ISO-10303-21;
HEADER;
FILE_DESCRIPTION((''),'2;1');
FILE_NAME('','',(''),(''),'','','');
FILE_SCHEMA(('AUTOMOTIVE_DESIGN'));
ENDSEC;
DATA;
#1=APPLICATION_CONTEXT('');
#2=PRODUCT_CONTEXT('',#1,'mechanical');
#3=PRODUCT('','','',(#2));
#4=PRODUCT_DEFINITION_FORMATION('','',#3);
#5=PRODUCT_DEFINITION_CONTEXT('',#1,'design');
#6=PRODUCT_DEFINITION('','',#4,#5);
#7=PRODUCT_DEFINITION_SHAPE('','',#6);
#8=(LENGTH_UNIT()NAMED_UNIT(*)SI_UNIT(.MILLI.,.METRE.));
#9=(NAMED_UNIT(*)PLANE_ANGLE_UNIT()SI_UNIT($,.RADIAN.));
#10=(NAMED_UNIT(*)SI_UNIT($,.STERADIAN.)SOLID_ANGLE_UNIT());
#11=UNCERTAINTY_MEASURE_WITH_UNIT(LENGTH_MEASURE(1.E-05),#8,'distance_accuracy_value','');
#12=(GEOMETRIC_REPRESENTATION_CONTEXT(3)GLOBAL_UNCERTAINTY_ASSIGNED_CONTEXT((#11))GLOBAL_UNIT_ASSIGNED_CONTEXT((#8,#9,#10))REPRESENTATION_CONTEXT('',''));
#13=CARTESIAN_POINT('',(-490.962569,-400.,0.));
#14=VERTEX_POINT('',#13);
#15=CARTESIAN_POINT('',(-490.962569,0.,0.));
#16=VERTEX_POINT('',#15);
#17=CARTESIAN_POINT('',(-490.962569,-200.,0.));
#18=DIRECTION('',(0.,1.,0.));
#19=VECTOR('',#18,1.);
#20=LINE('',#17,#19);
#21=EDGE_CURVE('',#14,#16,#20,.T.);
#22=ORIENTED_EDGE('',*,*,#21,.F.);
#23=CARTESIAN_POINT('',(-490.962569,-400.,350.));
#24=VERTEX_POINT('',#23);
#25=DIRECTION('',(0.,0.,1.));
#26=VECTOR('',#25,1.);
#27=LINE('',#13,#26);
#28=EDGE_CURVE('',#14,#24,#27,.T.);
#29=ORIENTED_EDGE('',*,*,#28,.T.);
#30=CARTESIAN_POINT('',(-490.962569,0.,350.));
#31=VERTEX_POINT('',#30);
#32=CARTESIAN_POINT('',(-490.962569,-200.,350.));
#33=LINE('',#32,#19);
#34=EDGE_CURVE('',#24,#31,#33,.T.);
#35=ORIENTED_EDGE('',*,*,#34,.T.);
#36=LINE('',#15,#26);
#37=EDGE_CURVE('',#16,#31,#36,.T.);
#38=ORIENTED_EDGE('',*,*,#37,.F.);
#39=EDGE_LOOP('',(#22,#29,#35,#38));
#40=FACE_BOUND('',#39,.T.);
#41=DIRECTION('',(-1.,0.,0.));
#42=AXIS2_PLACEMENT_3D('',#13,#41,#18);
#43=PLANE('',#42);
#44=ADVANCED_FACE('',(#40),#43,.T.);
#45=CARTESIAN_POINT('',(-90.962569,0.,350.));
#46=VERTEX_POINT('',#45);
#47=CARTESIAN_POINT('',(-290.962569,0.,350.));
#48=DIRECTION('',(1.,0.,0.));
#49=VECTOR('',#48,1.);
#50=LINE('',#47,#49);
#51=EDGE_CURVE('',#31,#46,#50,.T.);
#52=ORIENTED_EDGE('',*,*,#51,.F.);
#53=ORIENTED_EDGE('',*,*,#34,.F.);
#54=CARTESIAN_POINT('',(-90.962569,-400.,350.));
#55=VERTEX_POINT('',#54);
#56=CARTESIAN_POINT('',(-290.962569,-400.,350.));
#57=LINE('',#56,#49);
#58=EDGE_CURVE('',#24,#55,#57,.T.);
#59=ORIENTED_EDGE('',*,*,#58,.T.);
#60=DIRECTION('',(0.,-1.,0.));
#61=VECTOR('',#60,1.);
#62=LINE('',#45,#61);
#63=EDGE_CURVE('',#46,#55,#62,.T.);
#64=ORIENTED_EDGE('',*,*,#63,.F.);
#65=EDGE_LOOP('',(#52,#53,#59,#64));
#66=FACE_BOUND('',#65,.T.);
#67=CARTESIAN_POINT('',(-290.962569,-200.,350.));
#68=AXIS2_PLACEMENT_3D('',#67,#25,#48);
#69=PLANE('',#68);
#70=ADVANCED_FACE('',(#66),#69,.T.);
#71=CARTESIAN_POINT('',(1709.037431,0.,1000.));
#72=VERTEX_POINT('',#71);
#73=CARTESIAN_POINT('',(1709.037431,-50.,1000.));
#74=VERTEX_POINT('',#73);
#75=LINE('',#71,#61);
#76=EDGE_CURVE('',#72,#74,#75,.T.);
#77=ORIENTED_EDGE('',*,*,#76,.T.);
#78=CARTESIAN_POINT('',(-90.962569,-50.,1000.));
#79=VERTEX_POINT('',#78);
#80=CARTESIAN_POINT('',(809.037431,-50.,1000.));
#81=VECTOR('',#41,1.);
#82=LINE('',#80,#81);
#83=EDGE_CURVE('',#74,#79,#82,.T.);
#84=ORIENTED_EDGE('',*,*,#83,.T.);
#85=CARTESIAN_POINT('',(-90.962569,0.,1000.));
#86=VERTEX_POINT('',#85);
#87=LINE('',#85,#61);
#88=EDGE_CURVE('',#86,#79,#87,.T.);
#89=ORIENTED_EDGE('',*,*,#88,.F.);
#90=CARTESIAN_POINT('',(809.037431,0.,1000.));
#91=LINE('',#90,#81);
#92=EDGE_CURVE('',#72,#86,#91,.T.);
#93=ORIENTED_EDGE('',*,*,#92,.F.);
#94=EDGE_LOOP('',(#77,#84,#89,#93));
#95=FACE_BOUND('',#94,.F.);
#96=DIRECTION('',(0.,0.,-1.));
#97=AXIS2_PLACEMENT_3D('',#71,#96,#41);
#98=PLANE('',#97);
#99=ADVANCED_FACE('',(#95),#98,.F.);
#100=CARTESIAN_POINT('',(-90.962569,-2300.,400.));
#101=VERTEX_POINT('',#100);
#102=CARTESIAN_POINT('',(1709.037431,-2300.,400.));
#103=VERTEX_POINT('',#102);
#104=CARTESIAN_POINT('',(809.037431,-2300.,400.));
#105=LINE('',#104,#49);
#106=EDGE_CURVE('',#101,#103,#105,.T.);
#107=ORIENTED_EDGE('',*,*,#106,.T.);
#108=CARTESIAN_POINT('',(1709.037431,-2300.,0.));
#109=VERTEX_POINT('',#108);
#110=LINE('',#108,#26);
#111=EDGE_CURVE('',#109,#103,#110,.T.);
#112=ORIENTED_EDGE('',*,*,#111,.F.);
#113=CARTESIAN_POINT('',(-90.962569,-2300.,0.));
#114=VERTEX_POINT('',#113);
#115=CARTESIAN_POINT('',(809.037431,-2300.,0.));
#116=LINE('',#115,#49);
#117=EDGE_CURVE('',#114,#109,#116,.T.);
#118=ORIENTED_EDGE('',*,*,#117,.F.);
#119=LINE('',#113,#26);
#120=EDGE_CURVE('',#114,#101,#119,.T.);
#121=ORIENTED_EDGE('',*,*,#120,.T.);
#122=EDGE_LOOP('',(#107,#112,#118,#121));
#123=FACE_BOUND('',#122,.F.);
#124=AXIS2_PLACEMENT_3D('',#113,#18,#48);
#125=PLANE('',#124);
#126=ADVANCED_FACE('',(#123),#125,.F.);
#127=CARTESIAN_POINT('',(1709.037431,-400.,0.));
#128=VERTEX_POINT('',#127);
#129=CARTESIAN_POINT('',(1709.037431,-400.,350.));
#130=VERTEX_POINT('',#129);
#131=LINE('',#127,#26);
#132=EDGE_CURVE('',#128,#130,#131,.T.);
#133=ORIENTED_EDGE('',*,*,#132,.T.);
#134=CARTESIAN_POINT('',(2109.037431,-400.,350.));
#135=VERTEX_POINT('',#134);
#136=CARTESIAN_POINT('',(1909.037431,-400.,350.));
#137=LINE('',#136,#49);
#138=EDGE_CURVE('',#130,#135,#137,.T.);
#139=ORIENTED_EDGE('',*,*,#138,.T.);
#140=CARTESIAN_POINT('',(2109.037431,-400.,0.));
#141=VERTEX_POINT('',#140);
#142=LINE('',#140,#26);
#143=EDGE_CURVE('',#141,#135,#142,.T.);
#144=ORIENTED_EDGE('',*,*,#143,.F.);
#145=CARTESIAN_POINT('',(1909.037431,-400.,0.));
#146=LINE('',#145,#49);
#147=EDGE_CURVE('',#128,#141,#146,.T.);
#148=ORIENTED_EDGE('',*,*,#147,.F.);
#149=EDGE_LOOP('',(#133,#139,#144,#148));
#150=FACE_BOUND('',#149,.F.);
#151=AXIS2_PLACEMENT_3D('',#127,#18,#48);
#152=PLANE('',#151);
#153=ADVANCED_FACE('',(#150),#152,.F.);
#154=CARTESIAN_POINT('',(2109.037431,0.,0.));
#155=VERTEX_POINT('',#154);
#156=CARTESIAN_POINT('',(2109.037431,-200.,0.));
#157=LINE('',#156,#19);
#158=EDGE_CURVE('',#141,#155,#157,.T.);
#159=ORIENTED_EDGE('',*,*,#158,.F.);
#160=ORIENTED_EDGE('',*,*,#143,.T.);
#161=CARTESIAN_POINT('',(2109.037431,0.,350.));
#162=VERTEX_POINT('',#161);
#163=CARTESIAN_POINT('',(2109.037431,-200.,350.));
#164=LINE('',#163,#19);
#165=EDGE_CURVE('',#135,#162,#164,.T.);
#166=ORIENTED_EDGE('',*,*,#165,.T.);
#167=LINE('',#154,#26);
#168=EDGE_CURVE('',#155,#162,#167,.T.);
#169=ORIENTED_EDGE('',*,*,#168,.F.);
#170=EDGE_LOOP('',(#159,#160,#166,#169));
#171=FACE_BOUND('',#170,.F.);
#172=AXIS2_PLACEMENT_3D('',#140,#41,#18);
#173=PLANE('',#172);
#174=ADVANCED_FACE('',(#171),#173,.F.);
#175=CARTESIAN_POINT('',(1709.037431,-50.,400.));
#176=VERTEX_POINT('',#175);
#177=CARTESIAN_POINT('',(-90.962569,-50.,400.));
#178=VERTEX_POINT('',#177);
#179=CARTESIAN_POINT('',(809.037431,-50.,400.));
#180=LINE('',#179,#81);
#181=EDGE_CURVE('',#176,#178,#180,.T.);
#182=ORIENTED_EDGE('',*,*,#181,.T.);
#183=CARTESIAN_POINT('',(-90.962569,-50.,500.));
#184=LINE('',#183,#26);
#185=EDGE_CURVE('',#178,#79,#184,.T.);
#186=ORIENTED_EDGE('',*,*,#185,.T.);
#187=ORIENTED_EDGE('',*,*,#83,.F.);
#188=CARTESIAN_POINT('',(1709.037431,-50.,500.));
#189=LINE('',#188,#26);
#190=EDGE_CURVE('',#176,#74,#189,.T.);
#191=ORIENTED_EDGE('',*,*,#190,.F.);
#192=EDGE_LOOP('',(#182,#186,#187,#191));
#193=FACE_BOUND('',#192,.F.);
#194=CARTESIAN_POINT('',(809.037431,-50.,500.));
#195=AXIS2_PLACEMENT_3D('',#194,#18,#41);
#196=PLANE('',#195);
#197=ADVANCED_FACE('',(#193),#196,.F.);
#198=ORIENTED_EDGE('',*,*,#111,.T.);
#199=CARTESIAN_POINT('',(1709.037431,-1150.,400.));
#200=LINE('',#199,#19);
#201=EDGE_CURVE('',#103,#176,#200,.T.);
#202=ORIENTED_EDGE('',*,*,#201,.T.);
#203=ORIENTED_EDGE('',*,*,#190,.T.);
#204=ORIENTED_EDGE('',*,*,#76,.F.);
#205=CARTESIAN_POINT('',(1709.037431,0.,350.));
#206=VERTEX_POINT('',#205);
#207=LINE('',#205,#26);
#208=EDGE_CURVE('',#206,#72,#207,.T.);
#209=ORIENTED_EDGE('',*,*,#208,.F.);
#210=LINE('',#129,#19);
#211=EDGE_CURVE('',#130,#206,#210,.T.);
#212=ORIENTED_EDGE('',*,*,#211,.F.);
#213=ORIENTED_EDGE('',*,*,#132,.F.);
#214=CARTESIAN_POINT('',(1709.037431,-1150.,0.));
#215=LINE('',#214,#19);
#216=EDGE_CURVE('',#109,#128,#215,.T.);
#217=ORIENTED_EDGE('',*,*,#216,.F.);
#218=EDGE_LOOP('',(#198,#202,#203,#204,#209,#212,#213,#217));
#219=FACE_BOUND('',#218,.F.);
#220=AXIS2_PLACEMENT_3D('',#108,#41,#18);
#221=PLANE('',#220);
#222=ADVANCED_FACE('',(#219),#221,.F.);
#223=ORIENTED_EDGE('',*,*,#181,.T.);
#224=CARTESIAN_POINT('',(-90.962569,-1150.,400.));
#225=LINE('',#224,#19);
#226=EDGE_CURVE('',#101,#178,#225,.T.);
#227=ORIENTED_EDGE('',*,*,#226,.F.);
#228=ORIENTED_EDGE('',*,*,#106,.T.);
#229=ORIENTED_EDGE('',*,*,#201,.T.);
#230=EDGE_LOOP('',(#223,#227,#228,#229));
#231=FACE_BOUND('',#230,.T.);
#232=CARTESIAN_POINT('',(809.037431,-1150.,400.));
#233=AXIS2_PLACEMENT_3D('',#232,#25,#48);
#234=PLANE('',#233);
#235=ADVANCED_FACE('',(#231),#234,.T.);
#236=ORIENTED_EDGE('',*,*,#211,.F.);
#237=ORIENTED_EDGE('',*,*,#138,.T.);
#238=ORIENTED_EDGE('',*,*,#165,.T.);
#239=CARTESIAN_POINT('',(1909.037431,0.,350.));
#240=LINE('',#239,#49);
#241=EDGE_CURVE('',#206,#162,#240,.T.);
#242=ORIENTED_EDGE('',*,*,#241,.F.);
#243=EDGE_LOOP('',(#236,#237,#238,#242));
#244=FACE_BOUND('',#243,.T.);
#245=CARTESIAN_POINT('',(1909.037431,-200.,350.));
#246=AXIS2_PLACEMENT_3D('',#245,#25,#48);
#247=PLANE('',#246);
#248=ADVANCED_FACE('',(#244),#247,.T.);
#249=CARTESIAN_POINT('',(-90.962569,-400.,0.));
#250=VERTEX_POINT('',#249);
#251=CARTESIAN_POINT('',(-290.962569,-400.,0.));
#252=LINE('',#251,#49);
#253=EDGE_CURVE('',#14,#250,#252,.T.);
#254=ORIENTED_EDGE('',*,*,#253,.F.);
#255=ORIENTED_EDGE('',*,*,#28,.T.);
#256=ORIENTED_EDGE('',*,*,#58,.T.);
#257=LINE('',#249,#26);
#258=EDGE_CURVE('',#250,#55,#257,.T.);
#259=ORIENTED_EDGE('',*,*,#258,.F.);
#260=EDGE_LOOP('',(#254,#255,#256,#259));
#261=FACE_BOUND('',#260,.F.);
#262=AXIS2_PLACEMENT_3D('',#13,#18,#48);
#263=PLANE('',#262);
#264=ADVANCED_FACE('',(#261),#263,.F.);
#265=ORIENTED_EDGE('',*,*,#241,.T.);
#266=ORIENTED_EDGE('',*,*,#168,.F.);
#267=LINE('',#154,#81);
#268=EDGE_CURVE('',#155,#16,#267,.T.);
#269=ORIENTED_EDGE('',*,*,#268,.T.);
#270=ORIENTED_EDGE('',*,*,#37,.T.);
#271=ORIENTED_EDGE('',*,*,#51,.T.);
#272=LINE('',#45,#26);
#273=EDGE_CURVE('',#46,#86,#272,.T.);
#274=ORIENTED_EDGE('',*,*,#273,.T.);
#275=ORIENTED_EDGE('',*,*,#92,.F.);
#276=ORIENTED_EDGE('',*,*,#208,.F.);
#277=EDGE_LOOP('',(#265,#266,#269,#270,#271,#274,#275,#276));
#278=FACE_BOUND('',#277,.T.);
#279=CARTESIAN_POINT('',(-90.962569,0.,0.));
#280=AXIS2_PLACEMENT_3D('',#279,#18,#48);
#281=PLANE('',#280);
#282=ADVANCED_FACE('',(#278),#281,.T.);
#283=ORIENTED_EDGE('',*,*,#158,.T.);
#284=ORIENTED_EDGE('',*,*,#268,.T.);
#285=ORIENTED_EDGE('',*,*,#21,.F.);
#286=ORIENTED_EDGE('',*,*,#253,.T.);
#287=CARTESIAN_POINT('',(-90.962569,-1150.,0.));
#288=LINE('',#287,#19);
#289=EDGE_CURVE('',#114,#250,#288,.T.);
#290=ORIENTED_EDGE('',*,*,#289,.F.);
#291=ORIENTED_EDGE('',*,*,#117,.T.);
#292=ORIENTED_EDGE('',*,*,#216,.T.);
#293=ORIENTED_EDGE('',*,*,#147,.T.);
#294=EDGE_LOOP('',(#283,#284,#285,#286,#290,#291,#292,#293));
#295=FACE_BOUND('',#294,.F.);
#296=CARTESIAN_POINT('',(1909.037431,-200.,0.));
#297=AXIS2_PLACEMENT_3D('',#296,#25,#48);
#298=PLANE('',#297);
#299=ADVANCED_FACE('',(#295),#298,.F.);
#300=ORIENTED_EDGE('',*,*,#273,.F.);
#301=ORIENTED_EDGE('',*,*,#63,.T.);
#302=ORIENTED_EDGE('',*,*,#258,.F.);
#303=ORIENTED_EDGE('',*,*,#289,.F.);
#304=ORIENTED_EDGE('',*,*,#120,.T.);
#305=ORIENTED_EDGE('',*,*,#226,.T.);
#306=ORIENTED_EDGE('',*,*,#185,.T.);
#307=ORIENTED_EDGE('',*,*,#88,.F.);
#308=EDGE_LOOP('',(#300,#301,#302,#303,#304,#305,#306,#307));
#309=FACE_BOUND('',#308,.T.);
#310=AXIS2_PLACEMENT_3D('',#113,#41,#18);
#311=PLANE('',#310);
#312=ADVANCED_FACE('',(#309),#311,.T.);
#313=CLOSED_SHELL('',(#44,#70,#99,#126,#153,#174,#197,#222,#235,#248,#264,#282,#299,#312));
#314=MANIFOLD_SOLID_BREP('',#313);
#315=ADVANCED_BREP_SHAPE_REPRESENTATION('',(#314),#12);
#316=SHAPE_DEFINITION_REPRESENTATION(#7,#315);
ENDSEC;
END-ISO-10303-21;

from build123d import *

# Parameters (mm, degrees)
F0_W     = 1800
F0_H     = 2300
F1_DEPTH = 400
F2_W     = 400
F2_H     = 400
F3_DEPTH = 350
F4_W     = 1800
F4_H     = 1000
F5_DEPTH = 50


with BuildPart() as f1:
    # F0 (on Top) → F1 (new body)
    with BuildSketch(Plane.XY):
        with Locations((809.037431, -1150)):
            Rectangle(F0_W, F0_H)
    extrude(amount=F1_DEPTH)

    # F2 (on Top) → F3 (join)
    with BuildSketch(Plane.XY):
        with Locations((1909.037431, -200)):
            Rectangle(F2_W, F2_H)
        with Locations((-290.962569, -200)):
            Rectangle(F2_W, F2_H)
    extrude(amount=F3_DEPTH)

    # F4 (on face) → F5 (join)
    with BuildSketch(Plane(origin=(0, 0, 0), x_dir=(-1, 0, 0), z_dir=(0, 1, 0))):
        with Locations((-809.037431, 500)):
            Rectangle(F4_W, F4_H)
    extrude(amount=-F5_DEPTH)


solid = f1.part
